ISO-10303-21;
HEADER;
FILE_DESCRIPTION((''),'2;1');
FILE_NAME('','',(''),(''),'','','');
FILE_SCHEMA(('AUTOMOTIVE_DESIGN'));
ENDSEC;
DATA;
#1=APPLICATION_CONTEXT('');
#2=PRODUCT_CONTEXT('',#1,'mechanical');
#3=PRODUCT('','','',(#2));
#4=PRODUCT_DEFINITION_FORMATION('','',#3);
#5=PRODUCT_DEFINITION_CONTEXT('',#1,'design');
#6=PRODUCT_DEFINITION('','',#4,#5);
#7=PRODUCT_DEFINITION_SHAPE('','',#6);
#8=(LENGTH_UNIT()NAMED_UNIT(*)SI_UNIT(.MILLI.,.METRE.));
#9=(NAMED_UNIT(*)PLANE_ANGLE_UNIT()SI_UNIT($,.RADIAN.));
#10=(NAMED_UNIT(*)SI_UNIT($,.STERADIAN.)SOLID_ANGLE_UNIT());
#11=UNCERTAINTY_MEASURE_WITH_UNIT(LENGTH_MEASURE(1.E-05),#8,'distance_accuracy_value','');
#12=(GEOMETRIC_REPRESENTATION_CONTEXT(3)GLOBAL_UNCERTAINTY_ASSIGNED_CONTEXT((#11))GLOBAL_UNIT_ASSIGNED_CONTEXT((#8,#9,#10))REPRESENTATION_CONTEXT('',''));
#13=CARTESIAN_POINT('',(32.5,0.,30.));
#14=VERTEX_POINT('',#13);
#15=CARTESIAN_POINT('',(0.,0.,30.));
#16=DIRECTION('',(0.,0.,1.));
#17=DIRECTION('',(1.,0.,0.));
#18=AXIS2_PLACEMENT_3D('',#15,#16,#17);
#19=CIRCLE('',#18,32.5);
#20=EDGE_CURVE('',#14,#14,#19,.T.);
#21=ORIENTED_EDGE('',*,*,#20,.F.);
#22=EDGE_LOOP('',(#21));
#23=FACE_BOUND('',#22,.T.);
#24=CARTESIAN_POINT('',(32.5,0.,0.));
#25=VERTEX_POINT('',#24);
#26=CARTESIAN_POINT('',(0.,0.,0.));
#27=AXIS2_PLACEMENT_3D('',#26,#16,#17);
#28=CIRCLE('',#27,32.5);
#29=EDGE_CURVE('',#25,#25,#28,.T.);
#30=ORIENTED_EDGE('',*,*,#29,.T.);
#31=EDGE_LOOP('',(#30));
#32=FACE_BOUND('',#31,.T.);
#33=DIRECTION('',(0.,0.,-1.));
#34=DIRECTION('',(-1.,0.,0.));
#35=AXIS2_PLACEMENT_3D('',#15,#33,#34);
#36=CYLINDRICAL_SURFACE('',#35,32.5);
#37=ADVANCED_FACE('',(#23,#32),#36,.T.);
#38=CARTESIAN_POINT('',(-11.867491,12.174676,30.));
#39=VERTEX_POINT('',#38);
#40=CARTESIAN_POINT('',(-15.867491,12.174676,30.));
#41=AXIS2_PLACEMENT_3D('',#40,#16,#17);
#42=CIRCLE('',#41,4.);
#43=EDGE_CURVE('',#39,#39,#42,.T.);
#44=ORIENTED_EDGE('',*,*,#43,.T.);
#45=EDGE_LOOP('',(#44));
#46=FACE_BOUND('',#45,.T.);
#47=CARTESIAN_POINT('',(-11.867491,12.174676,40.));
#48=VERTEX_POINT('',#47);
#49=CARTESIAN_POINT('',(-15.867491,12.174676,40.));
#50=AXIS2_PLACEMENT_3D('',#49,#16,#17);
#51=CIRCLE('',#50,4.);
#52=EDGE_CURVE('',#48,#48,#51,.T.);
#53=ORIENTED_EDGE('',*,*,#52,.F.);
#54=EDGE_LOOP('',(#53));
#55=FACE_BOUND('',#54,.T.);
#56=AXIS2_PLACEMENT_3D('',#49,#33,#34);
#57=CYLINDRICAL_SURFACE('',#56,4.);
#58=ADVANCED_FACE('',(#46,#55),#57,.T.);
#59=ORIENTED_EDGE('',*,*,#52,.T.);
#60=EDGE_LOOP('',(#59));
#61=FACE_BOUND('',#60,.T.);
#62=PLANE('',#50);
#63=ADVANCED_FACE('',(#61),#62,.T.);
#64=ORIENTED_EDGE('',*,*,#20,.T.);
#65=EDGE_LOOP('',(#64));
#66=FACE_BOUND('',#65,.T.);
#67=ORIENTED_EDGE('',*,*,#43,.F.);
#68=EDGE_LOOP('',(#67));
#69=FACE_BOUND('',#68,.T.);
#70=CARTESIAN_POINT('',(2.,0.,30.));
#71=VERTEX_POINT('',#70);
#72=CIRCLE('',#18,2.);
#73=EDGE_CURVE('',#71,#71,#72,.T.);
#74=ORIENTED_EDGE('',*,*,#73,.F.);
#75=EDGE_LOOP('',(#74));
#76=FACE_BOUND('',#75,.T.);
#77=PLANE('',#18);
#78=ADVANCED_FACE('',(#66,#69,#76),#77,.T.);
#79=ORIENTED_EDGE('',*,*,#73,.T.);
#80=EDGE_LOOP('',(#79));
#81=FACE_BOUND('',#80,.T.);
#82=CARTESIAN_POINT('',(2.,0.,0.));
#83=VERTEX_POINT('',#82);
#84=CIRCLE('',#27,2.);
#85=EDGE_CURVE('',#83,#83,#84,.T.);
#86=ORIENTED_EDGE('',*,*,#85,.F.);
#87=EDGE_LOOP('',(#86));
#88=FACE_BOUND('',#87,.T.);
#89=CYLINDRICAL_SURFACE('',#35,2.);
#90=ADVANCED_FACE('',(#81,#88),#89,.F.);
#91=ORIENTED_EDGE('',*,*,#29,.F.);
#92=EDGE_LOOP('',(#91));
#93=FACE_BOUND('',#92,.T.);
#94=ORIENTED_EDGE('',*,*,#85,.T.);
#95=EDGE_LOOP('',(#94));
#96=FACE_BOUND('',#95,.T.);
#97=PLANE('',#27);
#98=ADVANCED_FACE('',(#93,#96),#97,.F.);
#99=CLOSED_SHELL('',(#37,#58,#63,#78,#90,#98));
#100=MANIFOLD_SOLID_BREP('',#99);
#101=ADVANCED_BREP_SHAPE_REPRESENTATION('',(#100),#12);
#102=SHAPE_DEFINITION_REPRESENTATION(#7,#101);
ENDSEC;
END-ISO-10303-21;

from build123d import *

# Parameters (mm, degrees)
ESQUISSE1_R        = 32.5
ESQUISSE1_R_2      = 2
BOSS_EXTRU_1_DEPTH = 30
ESQUISSE2_R        = 4
BOSS_EXTRU_2_DEPTH = 10


with BuildPart() as part:
    # Esquisse1 → Boss.-Extru.1 (new body)
    with BuildSketch(Plane.XY):
        Circle(ESQUISSE1_R)
        Circle(ESQUISSE1_R_2, mode=Mode.SUBTRACT)
    extrude(amount=BOSS_EXTRU_1_DEPTH)

    # Esquisse2 → Boss.-Extru.2 (add)
    with BuildSketch(Plane.XY.offset(30)):
        with Locations((-15.867490603, 12.174676257)):
            Circle(ESQUISSE2_R)
    extrude(amount=BOSS_EXTRU_2_DEPTH)


solid = part.part
